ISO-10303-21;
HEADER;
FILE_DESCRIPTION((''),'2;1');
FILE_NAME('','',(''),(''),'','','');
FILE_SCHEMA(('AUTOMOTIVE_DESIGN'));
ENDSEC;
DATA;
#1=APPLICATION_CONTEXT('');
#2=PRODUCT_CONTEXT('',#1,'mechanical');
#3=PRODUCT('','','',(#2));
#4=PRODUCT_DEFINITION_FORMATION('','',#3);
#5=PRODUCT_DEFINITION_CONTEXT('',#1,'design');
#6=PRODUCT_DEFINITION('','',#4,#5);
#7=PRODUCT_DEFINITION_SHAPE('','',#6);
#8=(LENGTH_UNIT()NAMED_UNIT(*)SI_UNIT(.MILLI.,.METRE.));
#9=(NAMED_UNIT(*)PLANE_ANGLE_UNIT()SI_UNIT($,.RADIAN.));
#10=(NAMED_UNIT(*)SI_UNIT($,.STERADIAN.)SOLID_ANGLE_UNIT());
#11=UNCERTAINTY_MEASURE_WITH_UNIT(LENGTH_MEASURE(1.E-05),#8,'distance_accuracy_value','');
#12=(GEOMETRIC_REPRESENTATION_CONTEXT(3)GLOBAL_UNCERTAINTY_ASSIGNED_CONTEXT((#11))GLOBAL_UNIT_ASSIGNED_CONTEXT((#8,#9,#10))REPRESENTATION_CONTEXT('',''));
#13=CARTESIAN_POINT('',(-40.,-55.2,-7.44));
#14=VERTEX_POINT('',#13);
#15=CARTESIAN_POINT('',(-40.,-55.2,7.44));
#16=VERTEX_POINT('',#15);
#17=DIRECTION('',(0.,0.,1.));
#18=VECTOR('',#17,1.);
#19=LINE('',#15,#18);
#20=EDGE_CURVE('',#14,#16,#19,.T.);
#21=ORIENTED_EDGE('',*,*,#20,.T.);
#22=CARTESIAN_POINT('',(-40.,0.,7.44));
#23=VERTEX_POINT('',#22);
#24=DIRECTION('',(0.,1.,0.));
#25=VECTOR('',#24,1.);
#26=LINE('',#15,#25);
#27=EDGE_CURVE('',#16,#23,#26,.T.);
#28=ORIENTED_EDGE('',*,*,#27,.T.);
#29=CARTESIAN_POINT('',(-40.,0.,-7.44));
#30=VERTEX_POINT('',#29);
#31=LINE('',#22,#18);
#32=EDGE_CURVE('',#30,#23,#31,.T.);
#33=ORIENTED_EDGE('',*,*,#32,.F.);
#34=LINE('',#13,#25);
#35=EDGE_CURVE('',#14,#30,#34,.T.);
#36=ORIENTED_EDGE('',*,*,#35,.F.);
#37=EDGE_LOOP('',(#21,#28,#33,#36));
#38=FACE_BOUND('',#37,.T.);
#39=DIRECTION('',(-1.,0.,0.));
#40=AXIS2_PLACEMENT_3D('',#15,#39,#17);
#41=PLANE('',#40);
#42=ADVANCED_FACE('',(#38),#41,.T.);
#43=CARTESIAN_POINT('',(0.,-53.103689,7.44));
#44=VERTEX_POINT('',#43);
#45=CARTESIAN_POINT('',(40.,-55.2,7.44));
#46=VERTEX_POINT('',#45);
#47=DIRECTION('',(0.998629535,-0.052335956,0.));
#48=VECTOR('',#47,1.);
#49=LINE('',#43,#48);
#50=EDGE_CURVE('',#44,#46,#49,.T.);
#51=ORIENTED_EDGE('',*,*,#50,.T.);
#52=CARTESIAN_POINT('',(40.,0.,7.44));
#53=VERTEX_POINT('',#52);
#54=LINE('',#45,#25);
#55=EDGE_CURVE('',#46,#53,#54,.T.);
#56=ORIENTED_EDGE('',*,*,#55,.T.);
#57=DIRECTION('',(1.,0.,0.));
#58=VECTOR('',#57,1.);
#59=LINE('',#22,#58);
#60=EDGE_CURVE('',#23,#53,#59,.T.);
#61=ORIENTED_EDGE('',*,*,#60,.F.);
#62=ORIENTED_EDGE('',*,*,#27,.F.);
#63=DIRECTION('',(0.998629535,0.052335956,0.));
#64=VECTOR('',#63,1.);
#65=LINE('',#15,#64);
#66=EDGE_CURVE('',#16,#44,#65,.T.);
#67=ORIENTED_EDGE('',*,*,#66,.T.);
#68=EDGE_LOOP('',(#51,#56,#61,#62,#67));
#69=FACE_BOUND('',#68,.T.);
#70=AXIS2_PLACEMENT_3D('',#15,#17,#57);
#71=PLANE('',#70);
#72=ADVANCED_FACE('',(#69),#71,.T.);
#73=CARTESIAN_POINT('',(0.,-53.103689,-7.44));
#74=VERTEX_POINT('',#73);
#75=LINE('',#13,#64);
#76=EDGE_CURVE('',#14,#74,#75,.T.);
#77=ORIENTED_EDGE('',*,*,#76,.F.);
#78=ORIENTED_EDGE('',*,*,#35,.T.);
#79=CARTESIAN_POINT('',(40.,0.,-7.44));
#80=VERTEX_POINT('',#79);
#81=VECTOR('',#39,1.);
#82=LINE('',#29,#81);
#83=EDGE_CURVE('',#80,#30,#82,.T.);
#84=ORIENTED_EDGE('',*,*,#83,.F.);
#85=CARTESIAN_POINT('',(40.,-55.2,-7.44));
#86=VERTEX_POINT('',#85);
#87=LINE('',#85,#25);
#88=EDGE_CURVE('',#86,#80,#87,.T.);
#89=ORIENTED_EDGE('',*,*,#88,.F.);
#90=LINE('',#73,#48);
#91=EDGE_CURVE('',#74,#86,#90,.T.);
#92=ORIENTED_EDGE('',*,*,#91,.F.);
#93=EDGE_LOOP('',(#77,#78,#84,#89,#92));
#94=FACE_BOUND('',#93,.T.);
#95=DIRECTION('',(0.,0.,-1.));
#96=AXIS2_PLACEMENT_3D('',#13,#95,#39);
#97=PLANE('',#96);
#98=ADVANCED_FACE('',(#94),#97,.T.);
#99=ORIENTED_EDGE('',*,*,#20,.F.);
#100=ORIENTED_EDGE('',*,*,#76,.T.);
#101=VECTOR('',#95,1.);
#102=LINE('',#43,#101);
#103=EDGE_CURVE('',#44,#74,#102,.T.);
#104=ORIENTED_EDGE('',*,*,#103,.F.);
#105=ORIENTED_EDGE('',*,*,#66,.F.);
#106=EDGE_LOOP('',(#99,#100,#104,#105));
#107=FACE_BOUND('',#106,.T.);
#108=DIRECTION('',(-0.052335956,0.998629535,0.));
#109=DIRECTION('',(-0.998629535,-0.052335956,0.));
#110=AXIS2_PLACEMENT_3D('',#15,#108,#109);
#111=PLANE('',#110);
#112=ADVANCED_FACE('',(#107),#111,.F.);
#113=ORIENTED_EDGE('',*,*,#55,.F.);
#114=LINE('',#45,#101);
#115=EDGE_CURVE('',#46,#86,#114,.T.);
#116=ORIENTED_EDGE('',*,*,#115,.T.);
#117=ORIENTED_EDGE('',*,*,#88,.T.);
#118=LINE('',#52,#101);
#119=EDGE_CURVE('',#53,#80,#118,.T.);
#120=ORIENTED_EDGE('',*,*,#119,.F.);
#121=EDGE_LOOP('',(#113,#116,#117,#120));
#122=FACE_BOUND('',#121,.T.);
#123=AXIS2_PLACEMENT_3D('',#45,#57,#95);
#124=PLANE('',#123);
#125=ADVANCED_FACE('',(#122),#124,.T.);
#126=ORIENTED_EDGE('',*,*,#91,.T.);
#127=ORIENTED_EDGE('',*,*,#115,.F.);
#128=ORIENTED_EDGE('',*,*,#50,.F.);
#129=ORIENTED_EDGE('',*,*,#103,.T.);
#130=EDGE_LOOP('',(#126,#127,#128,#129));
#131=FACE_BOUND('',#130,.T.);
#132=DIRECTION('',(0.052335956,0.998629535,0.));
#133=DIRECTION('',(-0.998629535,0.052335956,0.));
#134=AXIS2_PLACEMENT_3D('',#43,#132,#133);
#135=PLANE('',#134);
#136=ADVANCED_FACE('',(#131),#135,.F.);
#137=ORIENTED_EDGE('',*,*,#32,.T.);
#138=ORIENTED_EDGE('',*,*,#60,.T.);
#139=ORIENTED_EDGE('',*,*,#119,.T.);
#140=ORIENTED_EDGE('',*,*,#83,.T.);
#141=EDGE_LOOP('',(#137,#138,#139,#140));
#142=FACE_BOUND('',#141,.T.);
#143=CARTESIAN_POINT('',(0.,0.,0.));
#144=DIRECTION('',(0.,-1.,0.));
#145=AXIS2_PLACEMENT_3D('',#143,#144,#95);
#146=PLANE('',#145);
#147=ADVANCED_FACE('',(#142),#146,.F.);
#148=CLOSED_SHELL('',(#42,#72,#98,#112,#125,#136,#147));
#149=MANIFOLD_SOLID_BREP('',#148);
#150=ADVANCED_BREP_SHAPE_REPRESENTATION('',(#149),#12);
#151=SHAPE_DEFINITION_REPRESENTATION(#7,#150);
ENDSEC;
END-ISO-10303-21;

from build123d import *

# Parameters (mm, degrees)
SKETCH1_W           = 80
SKETCH1_H           = 14.88
BOSS_EXTRUDE1_DEPTH = 55.2
CUT_EXTRUDE1_DEPTH  = 70.774310459


with BuildPart() as part:
    # Sketch1 → Boss-Extrude1 (new body)
    with BuildSketch(Plane(origin=(0, 0, 0), x_dir=(1, 0, 0), z_dir=(0, 1, 0))):
        Rectangle(SKETCH1_W, SKETCH1_H)
    extrude(amount=-BOSS_EXTRUDE1_DEPTH)

    # Sketch3 → Cut-Extrude1 (cut, through all)
    with BuildSketch(Plane(origin=(0, 0, -7.44), x_dir=(-1, 0, 0), z_dir=(0, 0, -1))):
        Polygon((40, -55.2), (0, -53.103688829), (-40, -55.2), align=None)
    extrude(amount=-CUT_EXTRUDE1_DEPTH, mode=Mode.SUBTRACT)


solid = part.part
